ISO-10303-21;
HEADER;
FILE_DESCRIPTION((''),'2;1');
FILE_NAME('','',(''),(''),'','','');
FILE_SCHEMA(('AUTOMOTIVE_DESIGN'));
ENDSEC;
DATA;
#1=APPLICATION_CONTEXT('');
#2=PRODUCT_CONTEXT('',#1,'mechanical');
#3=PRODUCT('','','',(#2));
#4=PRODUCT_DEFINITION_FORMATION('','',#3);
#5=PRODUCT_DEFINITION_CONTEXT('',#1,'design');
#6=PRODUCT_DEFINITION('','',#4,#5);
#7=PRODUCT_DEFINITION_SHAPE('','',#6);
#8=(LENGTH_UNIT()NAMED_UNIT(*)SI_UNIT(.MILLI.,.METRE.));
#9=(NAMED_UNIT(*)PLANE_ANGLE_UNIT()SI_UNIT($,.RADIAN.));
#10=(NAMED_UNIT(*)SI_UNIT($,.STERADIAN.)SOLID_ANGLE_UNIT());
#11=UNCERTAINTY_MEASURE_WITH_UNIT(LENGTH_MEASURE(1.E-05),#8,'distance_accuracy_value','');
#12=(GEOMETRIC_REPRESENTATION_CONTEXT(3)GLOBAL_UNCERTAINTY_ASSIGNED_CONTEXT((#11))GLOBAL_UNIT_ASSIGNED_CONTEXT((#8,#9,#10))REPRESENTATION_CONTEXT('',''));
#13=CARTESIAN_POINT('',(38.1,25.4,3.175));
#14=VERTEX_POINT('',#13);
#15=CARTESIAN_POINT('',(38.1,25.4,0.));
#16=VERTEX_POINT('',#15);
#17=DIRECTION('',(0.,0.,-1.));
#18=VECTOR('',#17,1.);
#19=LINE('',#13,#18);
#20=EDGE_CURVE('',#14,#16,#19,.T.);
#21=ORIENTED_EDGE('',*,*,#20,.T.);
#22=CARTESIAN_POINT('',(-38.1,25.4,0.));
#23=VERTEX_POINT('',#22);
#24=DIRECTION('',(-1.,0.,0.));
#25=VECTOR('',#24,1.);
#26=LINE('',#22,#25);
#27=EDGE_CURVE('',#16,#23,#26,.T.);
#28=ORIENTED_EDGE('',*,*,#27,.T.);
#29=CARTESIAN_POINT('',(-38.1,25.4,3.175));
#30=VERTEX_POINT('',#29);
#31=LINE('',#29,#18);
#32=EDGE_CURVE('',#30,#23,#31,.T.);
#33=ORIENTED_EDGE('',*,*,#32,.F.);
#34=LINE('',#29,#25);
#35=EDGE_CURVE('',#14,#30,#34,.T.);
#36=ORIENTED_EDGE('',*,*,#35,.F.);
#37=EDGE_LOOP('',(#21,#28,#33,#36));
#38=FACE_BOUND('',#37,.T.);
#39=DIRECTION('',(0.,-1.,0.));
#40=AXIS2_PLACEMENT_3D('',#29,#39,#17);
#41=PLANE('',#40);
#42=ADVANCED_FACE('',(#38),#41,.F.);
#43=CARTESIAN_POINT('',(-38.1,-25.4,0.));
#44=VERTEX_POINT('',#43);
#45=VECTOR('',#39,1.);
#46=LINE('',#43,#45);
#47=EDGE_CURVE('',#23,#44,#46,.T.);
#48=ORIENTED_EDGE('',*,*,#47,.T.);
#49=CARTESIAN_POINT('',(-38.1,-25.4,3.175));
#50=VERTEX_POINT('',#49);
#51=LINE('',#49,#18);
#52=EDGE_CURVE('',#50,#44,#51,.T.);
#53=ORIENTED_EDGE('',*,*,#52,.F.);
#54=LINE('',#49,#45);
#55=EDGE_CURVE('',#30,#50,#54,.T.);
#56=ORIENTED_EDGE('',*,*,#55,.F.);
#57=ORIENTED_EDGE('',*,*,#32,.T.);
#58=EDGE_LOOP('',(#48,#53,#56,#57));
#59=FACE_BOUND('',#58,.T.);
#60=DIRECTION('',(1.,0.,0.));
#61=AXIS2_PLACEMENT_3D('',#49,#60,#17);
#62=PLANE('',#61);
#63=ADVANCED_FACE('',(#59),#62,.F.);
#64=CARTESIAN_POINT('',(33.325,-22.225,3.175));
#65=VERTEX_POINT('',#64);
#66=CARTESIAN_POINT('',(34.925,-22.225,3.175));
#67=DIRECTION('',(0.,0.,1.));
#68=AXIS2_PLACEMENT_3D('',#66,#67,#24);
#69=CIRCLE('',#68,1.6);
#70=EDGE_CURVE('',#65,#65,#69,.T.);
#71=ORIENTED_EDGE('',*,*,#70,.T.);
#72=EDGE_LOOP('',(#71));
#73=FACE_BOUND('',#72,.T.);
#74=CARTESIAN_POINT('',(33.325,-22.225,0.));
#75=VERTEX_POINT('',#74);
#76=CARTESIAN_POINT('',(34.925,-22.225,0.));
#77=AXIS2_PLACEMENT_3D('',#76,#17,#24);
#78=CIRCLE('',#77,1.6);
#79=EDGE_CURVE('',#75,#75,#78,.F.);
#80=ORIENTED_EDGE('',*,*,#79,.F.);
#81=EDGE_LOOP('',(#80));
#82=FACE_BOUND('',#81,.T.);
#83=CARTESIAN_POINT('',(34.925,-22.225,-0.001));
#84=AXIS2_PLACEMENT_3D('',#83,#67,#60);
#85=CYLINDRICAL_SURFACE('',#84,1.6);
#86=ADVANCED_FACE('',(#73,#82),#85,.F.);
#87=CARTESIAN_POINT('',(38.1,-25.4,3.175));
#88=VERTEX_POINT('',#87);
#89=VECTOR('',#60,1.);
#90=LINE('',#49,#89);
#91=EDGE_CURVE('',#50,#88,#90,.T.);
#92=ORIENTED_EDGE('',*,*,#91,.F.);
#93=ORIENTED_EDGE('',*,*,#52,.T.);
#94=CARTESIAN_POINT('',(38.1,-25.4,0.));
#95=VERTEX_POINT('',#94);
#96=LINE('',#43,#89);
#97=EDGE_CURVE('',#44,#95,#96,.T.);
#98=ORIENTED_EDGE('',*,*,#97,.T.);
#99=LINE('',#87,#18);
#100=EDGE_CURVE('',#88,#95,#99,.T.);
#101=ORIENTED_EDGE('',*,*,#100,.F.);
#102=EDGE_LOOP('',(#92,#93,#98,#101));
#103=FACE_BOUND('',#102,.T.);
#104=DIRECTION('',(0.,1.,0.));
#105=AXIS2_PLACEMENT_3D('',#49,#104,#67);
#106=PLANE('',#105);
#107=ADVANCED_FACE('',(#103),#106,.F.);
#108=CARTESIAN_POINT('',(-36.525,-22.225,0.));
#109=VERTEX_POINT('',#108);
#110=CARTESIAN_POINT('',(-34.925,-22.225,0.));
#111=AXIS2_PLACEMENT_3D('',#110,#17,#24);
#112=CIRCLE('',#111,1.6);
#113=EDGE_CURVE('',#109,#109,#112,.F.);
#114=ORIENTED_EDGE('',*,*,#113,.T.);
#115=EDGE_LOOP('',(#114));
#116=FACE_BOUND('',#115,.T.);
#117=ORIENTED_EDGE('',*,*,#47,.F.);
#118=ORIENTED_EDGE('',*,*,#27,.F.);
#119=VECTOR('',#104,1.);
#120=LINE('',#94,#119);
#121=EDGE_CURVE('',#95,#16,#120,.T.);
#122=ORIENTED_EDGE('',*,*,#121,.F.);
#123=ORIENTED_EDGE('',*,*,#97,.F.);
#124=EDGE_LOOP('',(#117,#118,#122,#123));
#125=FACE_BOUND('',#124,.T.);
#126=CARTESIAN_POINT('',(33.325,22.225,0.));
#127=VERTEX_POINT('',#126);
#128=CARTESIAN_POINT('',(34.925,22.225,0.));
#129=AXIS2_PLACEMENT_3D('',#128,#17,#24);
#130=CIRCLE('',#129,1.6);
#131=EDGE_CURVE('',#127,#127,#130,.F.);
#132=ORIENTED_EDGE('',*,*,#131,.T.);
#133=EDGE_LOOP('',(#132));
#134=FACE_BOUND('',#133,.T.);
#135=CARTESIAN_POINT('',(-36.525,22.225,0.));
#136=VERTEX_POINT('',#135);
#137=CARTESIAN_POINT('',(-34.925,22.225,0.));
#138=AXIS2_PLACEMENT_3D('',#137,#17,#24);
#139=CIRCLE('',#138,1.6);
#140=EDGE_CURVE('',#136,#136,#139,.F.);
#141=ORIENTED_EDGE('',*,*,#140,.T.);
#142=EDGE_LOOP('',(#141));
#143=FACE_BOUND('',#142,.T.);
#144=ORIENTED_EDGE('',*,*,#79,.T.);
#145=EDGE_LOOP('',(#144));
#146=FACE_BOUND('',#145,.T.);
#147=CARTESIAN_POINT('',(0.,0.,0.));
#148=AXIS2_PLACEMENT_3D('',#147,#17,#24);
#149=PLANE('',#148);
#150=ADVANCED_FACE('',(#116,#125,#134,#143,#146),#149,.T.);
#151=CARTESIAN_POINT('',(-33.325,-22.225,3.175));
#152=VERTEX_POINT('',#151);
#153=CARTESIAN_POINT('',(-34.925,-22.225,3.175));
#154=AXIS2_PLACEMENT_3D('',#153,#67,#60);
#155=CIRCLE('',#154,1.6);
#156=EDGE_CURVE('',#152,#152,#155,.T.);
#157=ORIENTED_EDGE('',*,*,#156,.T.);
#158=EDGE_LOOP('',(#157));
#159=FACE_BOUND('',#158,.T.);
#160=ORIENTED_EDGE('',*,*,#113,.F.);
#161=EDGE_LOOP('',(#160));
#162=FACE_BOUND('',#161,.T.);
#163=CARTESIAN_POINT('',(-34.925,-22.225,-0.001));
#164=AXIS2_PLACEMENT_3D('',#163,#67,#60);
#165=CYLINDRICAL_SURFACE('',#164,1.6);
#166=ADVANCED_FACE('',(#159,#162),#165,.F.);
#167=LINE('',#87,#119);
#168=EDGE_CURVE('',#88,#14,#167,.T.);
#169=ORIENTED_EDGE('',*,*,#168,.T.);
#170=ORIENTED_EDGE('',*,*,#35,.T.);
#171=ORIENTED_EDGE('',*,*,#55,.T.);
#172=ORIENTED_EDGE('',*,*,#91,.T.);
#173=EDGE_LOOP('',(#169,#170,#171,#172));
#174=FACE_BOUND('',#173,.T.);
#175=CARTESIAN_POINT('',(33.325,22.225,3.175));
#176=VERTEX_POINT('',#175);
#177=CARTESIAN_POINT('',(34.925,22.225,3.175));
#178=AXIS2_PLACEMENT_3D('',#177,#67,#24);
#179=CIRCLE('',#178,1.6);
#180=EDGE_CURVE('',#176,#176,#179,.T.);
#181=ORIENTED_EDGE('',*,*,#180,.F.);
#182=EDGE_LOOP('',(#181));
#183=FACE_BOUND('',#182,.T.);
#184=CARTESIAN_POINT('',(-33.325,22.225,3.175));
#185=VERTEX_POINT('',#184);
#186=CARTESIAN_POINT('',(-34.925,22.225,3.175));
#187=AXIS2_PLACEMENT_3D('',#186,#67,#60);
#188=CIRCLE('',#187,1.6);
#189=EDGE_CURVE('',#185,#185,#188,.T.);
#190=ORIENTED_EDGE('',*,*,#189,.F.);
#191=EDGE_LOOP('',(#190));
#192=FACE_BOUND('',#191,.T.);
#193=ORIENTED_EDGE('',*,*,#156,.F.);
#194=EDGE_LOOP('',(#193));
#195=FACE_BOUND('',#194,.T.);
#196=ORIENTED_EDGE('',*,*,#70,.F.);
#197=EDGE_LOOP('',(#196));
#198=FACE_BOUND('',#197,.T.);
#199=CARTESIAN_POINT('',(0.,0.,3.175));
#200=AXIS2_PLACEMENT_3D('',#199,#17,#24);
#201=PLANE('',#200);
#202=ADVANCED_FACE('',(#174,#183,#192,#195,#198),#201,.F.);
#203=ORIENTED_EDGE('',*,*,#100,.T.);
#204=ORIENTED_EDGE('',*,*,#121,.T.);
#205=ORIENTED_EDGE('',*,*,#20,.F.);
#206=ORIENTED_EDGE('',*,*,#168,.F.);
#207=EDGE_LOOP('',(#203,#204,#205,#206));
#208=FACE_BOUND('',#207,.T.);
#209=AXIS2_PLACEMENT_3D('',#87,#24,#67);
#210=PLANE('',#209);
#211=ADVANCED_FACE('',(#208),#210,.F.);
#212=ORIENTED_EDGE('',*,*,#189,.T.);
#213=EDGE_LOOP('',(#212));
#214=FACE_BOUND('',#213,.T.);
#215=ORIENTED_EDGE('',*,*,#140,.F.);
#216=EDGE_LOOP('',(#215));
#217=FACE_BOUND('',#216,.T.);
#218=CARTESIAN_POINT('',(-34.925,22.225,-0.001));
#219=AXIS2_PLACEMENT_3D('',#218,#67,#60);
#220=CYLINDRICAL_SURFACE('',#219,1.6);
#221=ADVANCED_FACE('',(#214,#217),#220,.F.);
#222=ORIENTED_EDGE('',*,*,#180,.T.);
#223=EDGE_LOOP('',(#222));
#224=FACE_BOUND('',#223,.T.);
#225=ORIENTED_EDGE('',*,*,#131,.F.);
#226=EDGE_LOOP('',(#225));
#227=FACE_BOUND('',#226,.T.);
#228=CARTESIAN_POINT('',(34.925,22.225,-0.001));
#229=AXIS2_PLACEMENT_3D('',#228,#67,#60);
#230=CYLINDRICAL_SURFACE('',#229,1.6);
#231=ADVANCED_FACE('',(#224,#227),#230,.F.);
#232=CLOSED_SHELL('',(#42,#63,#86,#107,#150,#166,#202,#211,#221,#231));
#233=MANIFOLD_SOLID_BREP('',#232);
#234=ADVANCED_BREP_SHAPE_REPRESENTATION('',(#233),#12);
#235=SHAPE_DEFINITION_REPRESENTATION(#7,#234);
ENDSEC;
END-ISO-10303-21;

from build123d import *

# Parameters (mm, degrees)
SKETCH1_W           = 76.2
SKETCH1_H           = 50.8
BOSS_EXTRUDE1_DEPTH = 3.175
CUT_EXTRUDE1_REACH  = 47.9
SKETCH2_R           = 1.6
SKETCH2_R_2         = 1.599999975


with BuildPart() as part:
    # Sketch1 → Boss-Extrude1 (new body)
    with BuildSketch(Plane.XY):
        Rectangle(SKETCH1_W, SKETCH1_H)
    extrude(amount=BOSS_EXTRUDE1_DEPTH)

    # Sketch2 → Cut-Extrude1 (cut, up to next)
    with BuildSketch(Plane.XY.offset(3.175), mode=Mode.PRIVATE) as cut_extrude1_sk1:
        with Locations((-34.925, 22.225)):
            Circle(SKETCH2_R)
    cut_extrude1_tool1 = extrude(cut_extrude1_sk1.sketch, amount=-CUT_EXTRUDE1_REACH, mode=Mode.PRIVATE) & part.part
    # Sketch2 → Cut-Extrude1 (cut, up to next)
    with BuildSketch(Plane.XY.offset(3.175), mode=Mode.PRIVATE) as cut_extrude1_sk2:
        with Locations((-34.925, -22.225)):
            Circle(SKETCH2_R_2)
    cut_extrude1_tool2 = extrude(cut_extrude1_sk2.sketch, amount=-CUT_EXTRUDE1_REACH, mode=Mode.PRIVATE) & part.part
    # Sketch2 → Cut-Extrude1 (cut, up to next)
    with BuildSketch(Plane.XY.offset(3.175), mode=Mode.PRIVATE) as cut_extrude1_sk3:
        with Locations(Location((34.925, -22.225, 0), (0, 0, 180))):
            Circle(SKETCH2_R_2)
    cut_extrude1_tool3 = extrude(cut_extrude1_sk3.sketch, amount=-CUT_EXTRUDE1_REACH, mode=Mode.PRIVATE) & part.part
    # Sketch2 → Cut-Extrude1 (cut, up to next)
    with BuildSketch(Plane.XY.offset(3.175), mode=Mode.PRIVATE) as cut_extrude1_sk4:
        with Locations(Location((34.925, 22.225, 0), (0, 0, 180))):
            Circle(SKETCH2_R)
    cut_extrude1_tool4 = extrude(cut_extrude1_sk4.sketch, amount=-CUT_EXTRUDE1_REACH, mode=Mode.PRIVATE) & part.part
    add(cut_extrude1_tool1.solids().sort_by_distance((-34.925, 22.225, 3.175))[0], mode=Mode.SUBTRACT)
    add(cut_extrude1_tool2.solids().sort_by_distance((-34.925, -22.225, 3.175))[0], mode=Mode.SUBTRACT)
    add(cut_extrude1_tool3.solids().sort_by_distance((34.925, -22.225, 3.175))[0], mode=Mode.SUBTRACT)
    add(cut_extrude1_tool4.solids().sort_by_distance((34.925, 22.225, 3.175))[0], mode=Mode.SUBTRACT)


solid = part.part
